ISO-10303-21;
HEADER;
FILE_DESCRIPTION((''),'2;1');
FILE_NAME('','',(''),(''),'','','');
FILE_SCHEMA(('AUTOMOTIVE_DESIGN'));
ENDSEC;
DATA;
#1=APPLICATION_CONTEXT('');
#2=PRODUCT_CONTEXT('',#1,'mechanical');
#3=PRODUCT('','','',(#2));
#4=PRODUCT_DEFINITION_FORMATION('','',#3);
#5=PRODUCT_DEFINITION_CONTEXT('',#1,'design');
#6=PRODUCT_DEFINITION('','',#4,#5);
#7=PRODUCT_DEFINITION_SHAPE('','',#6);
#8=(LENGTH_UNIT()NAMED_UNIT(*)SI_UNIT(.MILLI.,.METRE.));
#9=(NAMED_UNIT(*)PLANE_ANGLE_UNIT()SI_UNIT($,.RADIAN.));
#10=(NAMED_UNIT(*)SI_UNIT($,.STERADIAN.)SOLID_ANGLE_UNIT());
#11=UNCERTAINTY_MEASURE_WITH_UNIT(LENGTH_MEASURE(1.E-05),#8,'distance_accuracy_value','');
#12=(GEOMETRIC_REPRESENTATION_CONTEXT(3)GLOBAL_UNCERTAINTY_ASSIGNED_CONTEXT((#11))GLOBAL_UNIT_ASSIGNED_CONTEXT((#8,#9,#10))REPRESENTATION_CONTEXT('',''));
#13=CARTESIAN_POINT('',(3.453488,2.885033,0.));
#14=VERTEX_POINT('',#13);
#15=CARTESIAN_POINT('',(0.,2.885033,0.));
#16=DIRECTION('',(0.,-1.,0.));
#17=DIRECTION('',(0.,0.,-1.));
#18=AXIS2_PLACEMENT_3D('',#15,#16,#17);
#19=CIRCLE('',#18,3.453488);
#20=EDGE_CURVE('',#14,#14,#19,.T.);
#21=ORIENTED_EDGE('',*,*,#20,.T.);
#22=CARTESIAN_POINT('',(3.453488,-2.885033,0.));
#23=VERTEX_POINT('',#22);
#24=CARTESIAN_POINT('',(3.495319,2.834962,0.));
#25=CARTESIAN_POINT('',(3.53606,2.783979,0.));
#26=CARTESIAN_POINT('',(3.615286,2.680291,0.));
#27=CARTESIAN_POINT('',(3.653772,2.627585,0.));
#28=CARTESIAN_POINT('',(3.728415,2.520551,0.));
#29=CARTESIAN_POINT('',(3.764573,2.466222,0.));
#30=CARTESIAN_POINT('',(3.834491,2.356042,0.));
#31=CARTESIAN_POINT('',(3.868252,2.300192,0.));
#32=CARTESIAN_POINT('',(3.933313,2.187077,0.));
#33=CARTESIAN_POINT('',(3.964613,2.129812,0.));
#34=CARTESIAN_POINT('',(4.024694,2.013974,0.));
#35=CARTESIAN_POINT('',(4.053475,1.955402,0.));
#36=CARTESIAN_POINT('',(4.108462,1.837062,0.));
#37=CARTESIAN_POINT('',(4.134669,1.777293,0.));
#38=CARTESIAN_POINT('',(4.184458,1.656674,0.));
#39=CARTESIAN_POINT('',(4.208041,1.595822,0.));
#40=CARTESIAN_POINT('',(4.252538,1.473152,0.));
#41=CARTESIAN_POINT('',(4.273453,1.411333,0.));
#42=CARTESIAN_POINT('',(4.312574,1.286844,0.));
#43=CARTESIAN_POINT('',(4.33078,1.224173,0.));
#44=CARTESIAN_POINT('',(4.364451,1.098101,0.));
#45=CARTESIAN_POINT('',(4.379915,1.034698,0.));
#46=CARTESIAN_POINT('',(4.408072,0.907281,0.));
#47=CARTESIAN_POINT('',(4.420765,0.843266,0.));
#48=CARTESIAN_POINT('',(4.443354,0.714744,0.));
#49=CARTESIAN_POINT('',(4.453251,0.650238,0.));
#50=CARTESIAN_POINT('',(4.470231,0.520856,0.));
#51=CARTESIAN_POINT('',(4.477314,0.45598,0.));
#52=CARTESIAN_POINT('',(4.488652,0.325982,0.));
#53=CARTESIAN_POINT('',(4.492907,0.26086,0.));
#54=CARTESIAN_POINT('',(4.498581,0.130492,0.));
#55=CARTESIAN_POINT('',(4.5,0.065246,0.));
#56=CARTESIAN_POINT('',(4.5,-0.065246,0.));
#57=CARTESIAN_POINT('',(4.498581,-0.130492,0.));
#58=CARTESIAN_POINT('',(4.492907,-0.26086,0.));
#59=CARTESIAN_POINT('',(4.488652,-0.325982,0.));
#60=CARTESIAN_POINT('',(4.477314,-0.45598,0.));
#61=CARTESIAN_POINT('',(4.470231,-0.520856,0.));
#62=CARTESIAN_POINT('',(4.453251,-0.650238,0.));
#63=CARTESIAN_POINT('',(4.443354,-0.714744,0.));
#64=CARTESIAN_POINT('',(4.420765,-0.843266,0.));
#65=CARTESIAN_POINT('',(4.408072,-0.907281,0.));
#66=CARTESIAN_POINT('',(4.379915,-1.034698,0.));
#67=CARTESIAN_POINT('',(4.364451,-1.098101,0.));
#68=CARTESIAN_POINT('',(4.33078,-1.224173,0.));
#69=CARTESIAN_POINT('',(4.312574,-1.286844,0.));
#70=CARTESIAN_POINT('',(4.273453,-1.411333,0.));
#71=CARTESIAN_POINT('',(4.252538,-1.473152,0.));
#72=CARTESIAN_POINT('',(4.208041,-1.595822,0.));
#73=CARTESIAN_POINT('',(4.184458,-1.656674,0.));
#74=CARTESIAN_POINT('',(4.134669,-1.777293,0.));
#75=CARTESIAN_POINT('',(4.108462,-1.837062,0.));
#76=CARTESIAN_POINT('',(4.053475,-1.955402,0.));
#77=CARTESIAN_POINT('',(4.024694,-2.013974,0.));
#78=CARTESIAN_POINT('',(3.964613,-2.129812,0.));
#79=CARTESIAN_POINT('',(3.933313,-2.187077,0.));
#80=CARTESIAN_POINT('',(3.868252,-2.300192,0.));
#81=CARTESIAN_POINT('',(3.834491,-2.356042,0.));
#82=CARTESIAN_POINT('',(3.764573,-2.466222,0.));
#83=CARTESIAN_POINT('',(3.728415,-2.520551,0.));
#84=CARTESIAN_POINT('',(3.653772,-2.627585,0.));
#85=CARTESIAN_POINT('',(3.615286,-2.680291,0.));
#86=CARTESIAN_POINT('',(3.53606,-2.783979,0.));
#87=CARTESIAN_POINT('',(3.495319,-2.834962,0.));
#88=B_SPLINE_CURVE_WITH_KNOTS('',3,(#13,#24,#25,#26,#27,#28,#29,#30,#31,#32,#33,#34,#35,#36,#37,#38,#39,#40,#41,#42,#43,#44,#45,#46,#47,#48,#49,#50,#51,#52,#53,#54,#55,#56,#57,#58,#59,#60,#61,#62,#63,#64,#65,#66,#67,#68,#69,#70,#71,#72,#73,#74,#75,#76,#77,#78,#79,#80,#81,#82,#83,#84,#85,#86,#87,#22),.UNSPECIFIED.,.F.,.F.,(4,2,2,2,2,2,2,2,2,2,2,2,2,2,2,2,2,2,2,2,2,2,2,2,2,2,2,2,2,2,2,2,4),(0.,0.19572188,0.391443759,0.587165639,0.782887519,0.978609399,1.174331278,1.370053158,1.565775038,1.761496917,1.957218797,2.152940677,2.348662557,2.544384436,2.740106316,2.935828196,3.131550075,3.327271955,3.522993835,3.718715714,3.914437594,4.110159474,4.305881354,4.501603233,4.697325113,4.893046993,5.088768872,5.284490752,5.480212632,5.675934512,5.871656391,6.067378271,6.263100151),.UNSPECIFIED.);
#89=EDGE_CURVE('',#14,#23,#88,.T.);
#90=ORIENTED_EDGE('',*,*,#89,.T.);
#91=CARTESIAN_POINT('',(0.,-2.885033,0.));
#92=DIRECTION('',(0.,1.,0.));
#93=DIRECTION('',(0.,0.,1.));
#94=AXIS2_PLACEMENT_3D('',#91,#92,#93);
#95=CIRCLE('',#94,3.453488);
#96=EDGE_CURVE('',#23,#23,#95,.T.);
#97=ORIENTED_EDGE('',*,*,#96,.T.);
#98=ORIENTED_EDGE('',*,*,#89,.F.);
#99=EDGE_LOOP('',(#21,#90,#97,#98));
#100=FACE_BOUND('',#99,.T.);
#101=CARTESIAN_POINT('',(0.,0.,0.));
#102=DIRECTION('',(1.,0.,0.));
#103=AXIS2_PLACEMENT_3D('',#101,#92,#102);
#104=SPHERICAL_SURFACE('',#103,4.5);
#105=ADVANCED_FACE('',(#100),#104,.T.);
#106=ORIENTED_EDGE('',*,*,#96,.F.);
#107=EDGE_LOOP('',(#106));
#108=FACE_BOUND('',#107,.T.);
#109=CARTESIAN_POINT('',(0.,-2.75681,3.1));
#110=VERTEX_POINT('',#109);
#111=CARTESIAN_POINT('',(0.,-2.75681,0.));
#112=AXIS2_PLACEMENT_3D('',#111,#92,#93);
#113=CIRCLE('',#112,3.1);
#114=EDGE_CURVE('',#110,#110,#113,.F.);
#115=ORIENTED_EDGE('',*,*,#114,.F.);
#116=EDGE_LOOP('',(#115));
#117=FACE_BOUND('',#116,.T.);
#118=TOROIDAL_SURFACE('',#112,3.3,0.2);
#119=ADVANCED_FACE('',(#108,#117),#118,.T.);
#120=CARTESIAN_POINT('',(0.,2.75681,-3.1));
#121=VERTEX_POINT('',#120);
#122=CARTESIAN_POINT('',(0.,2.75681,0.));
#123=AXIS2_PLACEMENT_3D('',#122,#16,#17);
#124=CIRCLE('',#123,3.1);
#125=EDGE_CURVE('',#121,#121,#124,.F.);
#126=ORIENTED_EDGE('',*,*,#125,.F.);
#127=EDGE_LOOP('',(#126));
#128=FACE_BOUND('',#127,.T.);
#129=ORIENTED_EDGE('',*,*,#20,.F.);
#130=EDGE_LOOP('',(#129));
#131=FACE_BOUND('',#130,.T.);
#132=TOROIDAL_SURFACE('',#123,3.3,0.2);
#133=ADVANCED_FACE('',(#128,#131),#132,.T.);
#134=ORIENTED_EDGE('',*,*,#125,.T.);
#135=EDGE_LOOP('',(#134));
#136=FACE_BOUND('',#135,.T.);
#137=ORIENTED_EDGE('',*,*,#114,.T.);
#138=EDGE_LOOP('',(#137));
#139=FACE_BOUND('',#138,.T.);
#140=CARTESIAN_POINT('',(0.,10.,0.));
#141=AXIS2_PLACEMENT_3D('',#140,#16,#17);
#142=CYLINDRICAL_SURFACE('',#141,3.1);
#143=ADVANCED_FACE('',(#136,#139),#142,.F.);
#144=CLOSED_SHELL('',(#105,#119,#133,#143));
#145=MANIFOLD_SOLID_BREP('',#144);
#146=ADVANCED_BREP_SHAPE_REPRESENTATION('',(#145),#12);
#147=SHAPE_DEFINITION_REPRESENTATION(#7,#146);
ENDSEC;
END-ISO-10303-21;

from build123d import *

# Parameters (mm, degrees)
CUT_EXTRUDE1_DEPTH      = 10
CUT_EXTRUDE1_DEPTH_BACK = 10
SKETCH2_R               = 3.1
FILLET1_R               = 0.2


with BuildPart() as part:
    # Sketch1 → Revolve1 (revolve)
    with BuildSketch(Plane.XY):
        with BuildLine():
            Line((0, 4.5), (0, -4.5))
            ThreePointArc((0, -4.5), (4.5, 0), (0, 4.5))
        make_face()
    revolve(axis=Axis((0, 4.5, 0), (0, -1, 0)))

    # Sketch2 → Cut-Extrude1 (cut, two sides: drawn at the far end of the back side and taken through both)
    with BuildSketch(Plane(origin=(0, 0, 0), x_dir=(1, 0, 0), z_dir=(0, 1, 0)).offset(-CUT_EXTRUDE1_DEPTH_BACK)):
        Circle(SKETCH2_R)
    extrude(amount=CUT_EXTRUDE1_DEPTH + CUT_EXTRUDE1_DEPTH_BACK, mode=Mode.SUBTRACT)

    # Fillet1
    fillet1_edges = [part.edges().sort_by_distance(p)[0] for p in [
        (-3.1, -3.261901286, 0),
        (-3.1, 3.261901286, 0),
    ]]
    fillet(fillet1_edges, radius=FILLET1_R)


solid = part.part
